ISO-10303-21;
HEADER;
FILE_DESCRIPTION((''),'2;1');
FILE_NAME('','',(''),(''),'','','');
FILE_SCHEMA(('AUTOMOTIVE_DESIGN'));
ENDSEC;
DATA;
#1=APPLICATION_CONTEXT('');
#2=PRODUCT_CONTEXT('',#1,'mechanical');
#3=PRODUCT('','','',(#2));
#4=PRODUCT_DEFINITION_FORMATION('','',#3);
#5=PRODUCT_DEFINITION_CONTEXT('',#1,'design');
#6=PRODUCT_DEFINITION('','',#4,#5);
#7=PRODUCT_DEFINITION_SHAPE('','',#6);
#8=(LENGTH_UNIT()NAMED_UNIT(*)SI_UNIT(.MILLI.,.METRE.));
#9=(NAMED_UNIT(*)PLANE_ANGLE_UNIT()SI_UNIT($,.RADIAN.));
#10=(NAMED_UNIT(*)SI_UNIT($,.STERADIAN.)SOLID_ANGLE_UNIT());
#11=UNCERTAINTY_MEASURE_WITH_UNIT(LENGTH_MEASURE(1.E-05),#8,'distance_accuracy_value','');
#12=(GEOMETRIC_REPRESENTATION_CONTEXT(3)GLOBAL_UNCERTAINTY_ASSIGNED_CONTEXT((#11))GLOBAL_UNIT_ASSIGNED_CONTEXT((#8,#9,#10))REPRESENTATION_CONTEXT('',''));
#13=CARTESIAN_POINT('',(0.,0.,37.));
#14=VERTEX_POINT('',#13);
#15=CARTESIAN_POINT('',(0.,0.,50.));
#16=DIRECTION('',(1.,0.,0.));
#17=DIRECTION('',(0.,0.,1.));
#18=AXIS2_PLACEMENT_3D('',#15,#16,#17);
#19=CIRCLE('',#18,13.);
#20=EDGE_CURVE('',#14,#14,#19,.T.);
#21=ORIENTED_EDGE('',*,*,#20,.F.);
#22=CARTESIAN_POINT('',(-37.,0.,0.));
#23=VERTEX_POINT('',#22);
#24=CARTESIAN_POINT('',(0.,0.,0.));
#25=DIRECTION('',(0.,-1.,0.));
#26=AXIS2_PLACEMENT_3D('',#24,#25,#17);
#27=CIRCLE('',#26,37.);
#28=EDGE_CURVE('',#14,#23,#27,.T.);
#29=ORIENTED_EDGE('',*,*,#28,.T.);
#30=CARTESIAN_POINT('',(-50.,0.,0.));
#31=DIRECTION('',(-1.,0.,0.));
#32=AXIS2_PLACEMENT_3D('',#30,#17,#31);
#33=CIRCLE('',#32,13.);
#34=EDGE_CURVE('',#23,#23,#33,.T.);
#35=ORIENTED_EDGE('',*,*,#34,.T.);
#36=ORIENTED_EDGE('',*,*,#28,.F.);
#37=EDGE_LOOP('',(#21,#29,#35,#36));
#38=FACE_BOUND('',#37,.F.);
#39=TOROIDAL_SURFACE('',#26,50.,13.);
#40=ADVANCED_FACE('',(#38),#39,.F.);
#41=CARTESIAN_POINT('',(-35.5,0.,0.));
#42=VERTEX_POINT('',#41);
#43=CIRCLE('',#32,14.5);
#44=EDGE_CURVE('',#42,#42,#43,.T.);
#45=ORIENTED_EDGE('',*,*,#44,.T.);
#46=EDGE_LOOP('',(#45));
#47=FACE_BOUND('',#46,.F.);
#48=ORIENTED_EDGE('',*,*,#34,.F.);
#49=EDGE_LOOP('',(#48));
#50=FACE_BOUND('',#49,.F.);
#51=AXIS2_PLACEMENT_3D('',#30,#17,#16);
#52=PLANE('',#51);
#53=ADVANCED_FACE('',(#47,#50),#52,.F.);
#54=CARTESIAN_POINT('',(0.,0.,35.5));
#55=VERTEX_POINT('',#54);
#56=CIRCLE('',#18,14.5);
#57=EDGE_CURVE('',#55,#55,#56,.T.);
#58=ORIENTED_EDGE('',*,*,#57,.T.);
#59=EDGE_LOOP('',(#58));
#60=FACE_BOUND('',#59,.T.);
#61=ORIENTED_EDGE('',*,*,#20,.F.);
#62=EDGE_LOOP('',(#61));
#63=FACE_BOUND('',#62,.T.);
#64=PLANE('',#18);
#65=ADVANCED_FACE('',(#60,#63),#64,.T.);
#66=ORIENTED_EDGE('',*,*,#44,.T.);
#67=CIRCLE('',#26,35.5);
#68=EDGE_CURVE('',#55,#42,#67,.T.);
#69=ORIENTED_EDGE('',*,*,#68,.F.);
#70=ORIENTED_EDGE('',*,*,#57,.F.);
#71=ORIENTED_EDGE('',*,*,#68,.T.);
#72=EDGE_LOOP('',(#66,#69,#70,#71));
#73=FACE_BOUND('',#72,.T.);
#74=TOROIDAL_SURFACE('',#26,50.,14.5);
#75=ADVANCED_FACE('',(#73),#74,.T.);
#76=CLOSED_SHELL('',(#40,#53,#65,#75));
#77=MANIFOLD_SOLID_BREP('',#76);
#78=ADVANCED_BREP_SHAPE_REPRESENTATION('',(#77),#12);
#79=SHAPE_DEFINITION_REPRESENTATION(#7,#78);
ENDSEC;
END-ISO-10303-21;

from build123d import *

# Parameters (mm, degrees)
F1_R   = 14.5
F1_R_2 = 13


with BuildPart() as f2:
    # F2: sweep along a path in F0
    with BuildLine(Plane.XZ) as f2_path:
        ThreePointArc((0, 50), (-35.3553390593, 35.3553390593), (-50, 0))
    # F1 (on Top) → F2 (sweep)
    with BuildSketch(Plane.XY):
        with Locations((-50, 0)):
            Circle(F1_R)
        with Locations((-50, 0)):
            Circle(F1_R_2, mode=Mode.SUBTRACT)
    sweep(path=f2_path.line)


solid = f2.part
